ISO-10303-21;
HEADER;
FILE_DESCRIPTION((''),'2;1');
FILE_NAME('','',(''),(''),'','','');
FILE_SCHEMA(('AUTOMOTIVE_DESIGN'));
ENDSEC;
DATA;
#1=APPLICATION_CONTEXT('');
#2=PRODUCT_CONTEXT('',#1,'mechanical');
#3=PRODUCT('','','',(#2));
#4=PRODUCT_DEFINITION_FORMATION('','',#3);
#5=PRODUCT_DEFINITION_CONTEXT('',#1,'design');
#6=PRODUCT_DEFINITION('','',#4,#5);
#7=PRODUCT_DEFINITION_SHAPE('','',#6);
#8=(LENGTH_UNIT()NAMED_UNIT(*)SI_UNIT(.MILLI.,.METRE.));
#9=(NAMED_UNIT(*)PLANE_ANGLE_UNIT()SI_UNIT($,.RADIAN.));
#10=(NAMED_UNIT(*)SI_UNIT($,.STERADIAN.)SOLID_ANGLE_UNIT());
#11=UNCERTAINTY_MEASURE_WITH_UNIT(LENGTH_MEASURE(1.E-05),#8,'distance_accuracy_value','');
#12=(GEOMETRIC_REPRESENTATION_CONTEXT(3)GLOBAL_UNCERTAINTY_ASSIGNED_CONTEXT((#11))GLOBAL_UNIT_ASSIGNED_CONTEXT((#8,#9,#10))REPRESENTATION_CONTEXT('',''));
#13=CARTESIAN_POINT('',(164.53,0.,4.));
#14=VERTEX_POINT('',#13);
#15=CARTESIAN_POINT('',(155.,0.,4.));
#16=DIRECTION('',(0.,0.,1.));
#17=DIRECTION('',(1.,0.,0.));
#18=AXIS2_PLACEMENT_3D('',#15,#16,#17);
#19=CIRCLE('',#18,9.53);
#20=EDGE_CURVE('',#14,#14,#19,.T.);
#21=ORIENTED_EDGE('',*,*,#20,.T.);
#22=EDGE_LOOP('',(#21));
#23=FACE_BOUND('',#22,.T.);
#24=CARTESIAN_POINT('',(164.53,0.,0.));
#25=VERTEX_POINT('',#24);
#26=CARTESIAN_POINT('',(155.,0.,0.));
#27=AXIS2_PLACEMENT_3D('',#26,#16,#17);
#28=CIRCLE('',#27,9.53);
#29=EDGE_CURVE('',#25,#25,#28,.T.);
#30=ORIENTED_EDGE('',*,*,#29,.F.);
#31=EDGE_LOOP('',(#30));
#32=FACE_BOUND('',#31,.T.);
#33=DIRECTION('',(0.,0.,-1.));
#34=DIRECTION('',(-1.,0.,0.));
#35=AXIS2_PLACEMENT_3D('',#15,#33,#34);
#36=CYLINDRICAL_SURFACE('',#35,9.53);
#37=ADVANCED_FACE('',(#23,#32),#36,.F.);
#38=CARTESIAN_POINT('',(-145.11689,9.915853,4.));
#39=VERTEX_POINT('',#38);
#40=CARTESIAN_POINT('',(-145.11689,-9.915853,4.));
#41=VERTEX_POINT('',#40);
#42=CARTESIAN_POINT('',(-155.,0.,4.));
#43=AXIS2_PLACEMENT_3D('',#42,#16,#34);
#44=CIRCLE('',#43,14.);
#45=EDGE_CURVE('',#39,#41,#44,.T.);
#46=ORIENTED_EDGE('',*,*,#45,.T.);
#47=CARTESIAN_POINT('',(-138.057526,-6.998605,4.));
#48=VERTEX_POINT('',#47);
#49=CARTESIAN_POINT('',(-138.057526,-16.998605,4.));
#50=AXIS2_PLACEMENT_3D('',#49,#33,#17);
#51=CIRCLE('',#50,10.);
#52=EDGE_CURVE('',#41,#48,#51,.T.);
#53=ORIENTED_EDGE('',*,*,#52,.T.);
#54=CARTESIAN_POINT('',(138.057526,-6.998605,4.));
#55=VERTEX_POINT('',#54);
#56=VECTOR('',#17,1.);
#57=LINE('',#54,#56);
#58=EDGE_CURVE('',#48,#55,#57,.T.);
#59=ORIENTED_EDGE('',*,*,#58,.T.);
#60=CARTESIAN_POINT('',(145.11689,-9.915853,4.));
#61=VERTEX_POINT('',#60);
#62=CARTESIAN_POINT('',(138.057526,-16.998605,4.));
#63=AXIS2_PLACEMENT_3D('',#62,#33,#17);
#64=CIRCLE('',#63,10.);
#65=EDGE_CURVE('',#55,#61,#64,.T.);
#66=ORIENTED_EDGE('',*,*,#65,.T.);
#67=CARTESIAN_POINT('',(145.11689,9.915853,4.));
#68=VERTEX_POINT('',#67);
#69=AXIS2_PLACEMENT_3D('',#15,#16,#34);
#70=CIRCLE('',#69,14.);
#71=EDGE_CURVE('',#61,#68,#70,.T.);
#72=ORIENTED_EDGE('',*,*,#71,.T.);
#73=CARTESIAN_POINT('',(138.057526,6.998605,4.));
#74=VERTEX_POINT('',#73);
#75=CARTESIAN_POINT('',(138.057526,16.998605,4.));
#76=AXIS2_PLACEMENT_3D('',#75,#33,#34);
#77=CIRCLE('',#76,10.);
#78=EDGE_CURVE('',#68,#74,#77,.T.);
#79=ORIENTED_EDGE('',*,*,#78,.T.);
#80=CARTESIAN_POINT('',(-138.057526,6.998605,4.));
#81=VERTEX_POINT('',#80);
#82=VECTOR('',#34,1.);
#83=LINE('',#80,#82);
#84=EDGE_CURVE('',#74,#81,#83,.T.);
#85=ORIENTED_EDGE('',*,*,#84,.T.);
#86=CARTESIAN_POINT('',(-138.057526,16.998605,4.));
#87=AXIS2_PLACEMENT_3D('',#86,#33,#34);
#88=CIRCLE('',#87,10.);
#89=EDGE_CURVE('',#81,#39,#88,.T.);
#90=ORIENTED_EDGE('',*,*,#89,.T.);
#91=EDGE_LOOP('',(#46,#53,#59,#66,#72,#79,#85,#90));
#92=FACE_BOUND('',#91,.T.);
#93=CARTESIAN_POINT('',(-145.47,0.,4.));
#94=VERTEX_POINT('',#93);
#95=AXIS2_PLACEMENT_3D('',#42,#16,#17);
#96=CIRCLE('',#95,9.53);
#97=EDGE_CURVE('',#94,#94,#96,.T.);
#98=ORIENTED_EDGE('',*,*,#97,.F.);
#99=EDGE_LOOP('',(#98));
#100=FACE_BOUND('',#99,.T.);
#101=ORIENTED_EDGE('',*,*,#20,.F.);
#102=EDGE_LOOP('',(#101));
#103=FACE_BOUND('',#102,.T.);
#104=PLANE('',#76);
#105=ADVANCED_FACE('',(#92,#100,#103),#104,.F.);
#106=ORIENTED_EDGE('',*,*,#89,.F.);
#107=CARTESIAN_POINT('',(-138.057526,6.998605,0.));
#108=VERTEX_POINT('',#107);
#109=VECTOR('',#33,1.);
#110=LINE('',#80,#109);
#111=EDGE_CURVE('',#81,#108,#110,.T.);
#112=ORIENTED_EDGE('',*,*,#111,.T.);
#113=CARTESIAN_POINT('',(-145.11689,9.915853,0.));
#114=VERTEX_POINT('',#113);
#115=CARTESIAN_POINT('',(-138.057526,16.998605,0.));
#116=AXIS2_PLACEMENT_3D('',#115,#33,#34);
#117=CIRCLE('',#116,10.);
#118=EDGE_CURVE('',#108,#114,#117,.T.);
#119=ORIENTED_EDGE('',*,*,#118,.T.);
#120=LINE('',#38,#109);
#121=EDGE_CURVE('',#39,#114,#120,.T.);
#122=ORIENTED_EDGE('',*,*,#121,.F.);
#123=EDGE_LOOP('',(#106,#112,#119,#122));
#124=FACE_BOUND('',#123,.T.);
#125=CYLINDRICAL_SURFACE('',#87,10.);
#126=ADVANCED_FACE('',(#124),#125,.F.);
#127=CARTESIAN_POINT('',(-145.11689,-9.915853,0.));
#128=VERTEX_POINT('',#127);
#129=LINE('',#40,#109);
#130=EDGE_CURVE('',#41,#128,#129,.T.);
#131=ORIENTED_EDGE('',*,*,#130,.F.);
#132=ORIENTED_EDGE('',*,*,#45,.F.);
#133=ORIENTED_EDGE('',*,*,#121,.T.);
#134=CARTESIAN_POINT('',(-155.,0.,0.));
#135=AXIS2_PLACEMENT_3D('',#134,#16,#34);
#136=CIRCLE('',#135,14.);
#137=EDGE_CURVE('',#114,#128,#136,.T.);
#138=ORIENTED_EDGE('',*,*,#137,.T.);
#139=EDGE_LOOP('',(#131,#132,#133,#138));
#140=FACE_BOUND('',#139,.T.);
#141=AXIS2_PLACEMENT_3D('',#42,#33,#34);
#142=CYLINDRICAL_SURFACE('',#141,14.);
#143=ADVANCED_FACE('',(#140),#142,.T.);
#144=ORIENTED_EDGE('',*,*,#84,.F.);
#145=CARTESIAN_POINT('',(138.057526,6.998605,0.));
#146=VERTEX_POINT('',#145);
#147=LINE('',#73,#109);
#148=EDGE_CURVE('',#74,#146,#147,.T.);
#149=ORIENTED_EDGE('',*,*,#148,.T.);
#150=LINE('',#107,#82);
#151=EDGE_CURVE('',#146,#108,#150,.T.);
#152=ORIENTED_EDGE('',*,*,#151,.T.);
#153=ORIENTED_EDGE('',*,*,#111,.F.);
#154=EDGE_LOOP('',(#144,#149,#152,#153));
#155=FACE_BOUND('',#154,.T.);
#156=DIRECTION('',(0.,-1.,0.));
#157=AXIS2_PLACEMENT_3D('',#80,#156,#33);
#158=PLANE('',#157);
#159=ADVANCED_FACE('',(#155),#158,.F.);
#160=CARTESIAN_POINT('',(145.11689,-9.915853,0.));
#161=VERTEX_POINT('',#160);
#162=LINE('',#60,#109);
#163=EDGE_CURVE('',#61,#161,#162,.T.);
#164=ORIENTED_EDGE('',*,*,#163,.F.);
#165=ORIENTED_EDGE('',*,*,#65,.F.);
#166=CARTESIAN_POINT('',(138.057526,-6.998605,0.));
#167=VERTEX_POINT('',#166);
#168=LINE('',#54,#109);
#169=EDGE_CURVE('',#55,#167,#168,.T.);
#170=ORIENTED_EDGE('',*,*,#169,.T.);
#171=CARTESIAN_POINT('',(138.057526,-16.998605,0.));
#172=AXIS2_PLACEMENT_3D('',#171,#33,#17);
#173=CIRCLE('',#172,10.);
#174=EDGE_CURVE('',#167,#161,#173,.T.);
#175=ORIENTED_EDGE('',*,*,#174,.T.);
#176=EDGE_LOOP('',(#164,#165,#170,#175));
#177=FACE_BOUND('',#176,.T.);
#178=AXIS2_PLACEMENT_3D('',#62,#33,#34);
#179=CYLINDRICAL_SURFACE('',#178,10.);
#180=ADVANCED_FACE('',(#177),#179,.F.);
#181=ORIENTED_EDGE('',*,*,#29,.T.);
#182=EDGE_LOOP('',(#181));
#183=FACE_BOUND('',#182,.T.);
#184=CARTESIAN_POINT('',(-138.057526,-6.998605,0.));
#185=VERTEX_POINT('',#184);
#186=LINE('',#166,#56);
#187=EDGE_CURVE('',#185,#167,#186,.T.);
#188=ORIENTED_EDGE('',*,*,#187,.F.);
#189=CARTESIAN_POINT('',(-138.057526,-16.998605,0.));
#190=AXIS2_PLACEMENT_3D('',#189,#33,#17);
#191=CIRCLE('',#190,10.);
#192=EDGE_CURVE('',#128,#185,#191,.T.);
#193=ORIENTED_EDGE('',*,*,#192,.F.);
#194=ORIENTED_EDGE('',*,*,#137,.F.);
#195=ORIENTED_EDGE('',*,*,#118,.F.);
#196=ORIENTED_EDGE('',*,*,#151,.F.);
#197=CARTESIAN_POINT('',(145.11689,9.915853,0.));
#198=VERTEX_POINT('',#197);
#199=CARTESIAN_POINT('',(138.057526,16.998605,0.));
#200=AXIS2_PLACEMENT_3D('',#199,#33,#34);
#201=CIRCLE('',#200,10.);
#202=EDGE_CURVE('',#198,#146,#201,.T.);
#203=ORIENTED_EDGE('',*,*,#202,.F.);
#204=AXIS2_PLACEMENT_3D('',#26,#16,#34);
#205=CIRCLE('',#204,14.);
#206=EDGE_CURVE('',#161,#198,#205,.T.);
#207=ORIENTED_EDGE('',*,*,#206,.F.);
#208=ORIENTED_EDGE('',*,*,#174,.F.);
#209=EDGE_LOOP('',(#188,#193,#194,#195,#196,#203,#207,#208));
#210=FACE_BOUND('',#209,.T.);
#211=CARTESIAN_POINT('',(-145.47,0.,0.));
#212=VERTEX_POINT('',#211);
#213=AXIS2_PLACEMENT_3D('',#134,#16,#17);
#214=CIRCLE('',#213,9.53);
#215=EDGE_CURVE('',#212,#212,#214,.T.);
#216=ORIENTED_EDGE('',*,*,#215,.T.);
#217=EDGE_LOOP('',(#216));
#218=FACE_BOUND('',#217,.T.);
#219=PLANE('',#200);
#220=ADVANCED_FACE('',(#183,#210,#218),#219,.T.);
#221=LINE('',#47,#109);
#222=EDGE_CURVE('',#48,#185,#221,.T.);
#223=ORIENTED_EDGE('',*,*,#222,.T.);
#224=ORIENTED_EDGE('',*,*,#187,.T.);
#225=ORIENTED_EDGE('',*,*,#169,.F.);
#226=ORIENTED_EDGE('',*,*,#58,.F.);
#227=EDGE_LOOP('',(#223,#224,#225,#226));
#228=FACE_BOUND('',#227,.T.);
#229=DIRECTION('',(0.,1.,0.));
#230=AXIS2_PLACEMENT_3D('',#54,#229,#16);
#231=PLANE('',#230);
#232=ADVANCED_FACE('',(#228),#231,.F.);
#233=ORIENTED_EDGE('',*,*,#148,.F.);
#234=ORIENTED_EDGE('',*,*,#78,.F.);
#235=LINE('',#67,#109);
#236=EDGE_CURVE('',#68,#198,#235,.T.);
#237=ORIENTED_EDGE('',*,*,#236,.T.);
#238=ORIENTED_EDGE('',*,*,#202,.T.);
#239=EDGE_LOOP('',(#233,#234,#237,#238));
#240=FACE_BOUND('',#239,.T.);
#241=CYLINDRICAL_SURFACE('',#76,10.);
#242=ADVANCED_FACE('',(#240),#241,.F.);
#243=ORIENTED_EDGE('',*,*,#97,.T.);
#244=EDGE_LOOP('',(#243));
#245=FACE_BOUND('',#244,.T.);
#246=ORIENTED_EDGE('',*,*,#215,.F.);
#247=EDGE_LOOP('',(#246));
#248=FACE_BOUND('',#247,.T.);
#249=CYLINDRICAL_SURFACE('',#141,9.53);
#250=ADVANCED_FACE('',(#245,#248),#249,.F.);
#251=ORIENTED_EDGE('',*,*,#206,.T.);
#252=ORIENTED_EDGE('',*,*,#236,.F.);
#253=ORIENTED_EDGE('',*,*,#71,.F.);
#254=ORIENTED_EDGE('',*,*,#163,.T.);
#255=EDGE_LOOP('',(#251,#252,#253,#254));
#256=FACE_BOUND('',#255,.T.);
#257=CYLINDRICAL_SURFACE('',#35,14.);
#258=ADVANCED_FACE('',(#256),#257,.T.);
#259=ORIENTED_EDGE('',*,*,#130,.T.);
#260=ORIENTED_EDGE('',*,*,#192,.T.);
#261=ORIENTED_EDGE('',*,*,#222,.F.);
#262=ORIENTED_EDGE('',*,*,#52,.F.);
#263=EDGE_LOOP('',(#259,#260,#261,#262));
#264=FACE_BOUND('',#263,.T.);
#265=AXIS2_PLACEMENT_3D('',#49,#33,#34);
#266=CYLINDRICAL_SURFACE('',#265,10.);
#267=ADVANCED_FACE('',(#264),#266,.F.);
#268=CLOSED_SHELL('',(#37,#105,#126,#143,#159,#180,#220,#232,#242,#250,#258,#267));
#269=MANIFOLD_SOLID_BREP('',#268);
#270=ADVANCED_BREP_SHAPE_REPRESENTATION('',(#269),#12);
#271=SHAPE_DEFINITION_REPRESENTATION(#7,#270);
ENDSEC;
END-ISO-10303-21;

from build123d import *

# Parameters (mm, degrees)
SKETCH_2_R      = 9.53
EXTRUDE_2_DEPTH = 4


with BuildPart() as part:
    # 草图2 → 凸台-拉伸2 (new body)
    with BuildSketch(Plane.XY):
        with BuildLine():
            Line((-138.057525522, 6.998604606), (138.057525522, 6.998604606))
            ThreePointArc((138.057525522, 6.998604606), (141.876719207, 7.756648125), (145.116889888, 9.915852687))
            ThreePointArc((145.116889888, 9.915852687), (169, 0), (145.116889888, -9.915852687))
            ThreePointArc((145.116889888, -9.915852687), (141.876719207, -7.756648125), (138.057525522, -6.998604606))
            Line((138.057525522, -6.998604606), (-138.057525522, -6.998604606))
            ThreePointArc((-138.057525522, -6.998604606), (-141.876719207, -7.756648125), (-145.116889888, -9.915852687))
            ThreePointArc((-145.116889888, -9.915852687), (-169, 0), (-145.116889888, 9.915852687))
            ThreePointArc((-145.116889888, 9.915852687), (-141.876719207, 7.756648125), (-138.057525522, 6.998604606))
        make_face()
        with Locations((-155, 0)):
            Circle(SKETCH_2_R, mode=Mode.SUBTRACT)
        with Locations((155, 0)):
            Circle(SKETCH_2_R, mode=Mode.SUBTRACT)
    extrude(amount=EXTRUDE_2_DEPTH)


solid = part.part
